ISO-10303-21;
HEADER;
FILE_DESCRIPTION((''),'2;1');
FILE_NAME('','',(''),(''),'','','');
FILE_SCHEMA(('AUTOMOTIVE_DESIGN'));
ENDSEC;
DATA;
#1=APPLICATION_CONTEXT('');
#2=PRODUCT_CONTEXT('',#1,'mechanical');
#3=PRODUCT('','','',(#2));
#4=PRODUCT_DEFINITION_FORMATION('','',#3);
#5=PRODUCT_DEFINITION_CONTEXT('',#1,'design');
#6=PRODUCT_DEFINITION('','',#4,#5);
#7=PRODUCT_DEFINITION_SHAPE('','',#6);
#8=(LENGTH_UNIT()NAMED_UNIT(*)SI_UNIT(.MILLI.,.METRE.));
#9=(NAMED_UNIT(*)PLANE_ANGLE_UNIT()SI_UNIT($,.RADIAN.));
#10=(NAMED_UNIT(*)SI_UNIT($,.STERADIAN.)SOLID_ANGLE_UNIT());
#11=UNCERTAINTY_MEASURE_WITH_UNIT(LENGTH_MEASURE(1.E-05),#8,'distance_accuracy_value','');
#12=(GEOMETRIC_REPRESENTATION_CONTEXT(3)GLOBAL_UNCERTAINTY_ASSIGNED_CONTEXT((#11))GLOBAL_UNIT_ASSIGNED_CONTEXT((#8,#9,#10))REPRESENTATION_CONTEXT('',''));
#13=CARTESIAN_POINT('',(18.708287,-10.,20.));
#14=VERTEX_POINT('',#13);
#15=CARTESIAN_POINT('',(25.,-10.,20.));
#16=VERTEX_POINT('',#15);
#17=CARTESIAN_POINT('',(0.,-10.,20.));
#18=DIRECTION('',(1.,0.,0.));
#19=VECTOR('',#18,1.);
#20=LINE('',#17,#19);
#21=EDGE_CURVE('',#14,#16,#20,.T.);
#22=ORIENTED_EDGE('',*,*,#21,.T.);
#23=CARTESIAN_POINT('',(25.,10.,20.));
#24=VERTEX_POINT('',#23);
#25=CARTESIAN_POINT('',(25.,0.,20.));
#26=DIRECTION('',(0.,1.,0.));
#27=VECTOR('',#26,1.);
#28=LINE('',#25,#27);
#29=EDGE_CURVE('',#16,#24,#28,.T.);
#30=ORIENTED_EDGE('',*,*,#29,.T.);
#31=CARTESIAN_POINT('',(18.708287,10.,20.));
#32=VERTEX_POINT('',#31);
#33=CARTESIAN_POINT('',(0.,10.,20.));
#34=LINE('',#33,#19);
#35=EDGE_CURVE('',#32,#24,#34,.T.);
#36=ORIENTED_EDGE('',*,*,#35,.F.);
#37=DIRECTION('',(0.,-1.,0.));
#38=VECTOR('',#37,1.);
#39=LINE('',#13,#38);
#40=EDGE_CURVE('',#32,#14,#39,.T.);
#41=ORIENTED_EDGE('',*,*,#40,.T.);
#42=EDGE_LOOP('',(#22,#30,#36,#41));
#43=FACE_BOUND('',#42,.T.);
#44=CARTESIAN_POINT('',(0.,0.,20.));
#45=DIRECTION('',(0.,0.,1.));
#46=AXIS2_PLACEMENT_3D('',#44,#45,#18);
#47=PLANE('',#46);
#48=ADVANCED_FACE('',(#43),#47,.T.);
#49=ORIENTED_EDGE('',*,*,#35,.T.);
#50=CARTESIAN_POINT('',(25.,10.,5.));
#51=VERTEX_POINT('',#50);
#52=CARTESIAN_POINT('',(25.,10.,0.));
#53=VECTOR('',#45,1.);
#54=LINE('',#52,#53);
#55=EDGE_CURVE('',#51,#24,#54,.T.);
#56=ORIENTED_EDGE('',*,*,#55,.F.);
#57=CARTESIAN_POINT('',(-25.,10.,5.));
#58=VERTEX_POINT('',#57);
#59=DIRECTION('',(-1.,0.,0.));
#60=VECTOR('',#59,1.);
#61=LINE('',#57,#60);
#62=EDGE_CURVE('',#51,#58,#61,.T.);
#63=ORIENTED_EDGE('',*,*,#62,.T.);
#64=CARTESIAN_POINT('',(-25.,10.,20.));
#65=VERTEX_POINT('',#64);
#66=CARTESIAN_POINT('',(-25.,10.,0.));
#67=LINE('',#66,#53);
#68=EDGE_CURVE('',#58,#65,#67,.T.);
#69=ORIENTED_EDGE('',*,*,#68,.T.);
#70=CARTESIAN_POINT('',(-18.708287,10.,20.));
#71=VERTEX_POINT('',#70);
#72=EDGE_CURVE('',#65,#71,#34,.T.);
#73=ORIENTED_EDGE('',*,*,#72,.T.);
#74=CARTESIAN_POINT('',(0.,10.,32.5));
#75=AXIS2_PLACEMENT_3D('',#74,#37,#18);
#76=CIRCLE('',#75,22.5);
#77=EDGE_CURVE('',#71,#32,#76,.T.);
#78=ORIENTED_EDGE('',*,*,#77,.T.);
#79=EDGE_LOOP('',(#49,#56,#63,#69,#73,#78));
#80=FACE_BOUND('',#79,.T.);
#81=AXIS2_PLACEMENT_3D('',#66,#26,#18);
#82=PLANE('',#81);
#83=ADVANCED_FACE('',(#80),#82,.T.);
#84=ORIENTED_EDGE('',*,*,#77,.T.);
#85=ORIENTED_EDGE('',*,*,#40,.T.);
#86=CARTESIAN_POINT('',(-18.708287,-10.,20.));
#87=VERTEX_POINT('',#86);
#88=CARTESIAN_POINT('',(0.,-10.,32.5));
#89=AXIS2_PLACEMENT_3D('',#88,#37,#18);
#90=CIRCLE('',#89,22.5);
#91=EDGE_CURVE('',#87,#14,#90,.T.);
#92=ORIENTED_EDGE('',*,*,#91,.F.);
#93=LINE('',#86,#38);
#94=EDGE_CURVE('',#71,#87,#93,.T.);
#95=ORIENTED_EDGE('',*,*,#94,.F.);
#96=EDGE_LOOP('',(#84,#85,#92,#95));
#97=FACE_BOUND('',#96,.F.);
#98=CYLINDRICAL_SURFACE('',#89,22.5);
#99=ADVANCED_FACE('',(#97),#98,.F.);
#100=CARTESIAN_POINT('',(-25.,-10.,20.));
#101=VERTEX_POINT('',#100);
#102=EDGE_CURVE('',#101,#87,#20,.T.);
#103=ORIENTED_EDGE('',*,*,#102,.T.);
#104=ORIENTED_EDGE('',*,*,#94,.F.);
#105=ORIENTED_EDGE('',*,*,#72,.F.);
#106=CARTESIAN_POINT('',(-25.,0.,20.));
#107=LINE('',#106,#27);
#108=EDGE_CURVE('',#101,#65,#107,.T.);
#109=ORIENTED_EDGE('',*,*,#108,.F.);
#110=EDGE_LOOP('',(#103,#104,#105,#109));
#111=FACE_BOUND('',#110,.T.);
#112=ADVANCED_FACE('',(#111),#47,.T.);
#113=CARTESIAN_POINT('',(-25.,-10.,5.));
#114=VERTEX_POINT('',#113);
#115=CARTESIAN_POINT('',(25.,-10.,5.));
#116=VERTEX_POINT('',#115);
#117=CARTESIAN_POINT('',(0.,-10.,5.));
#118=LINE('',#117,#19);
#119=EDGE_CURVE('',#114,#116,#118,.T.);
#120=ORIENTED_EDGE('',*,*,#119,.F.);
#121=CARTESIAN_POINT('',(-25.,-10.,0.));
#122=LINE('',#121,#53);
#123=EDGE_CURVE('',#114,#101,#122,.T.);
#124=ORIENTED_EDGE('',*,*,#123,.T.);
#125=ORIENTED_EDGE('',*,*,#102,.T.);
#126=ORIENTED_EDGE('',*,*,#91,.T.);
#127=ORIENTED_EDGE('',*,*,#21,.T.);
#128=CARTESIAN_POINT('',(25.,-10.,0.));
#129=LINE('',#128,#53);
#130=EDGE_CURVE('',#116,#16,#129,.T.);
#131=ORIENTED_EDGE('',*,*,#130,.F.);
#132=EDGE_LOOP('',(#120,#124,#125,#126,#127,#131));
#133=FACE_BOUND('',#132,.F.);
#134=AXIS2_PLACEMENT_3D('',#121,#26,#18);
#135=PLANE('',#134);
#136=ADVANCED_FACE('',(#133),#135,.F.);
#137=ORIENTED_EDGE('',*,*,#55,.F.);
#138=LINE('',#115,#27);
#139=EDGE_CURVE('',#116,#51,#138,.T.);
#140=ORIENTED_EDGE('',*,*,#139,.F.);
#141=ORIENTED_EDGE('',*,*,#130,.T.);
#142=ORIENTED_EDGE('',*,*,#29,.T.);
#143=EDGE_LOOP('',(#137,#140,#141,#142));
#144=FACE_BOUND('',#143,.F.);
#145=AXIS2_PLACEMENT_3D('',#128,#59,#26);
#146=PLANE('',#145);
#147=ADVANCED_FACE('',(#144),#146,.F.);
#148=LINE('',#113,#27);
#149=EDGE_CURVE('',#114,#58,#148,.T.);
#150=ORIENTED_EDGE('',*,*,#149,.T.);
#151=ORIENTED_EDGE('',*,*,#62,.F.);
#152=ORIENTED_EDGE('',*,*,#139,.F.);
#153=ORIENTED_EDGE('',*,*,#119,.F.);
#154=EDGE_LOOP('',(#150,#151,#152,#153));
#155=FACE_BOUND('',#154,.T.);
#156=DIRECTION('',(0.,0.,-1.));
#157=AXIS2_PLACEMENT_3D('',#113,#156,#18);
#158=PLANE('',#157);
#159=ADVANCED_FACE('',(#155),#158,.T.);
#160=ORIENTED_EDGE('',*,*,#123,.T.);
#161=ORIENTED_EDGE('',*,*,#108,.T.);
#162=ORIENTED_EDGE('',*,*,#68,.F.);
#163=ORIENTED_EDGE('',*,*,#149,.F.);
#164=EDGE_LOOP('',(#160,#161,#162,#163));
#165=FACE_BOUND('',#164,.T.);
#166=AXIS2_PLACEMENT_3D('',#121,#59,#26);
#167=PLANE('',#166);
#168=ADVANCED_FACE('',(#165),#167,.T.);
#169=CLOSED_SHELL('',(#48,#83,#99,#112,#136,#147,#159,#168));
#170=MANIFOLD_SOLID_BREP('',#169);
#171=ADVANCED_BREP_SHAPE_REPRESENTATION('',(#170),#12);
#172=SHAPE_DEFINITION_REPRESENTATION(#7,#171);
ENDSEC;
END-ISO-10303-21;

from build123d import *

# Parameters (mm, degrees)
F0_W     = 50
F0_H     = 20
F1_DEPTH = 20
F2_R     = 22.5
F3_DEPTH = 25
F4_W     = 50
F4_H     = 5
F5_DEPTH = 25


with BuildPart() as f1:
    # F0 (on Top) → F1 (new body)
    with BuildSketch(Plane.XY):
        Rectangle(F0_W, F0_H)
    extrude(amount=F1_DEPTH)

    # F2 (on face) → F3 (cut)
    with BuildSketch(Plane.XZ.offset(10)):
        with Locations((0, 32.5)):
            Circle(F2_R)
    extrude(amount=-F3_DEPTH, mode=Mode.SUBTRACT)

    # F4 (on face) → F5 (cut)
    with BuildSketch(Plane.XZ.offset(10)):
        with Locations((0, 2.5)):
            Rectangle(F4_W, F4_H)
    extrude(amount=-F5_DEPTH, mode=Mode.SUBTRACT)


solid = f1.part
